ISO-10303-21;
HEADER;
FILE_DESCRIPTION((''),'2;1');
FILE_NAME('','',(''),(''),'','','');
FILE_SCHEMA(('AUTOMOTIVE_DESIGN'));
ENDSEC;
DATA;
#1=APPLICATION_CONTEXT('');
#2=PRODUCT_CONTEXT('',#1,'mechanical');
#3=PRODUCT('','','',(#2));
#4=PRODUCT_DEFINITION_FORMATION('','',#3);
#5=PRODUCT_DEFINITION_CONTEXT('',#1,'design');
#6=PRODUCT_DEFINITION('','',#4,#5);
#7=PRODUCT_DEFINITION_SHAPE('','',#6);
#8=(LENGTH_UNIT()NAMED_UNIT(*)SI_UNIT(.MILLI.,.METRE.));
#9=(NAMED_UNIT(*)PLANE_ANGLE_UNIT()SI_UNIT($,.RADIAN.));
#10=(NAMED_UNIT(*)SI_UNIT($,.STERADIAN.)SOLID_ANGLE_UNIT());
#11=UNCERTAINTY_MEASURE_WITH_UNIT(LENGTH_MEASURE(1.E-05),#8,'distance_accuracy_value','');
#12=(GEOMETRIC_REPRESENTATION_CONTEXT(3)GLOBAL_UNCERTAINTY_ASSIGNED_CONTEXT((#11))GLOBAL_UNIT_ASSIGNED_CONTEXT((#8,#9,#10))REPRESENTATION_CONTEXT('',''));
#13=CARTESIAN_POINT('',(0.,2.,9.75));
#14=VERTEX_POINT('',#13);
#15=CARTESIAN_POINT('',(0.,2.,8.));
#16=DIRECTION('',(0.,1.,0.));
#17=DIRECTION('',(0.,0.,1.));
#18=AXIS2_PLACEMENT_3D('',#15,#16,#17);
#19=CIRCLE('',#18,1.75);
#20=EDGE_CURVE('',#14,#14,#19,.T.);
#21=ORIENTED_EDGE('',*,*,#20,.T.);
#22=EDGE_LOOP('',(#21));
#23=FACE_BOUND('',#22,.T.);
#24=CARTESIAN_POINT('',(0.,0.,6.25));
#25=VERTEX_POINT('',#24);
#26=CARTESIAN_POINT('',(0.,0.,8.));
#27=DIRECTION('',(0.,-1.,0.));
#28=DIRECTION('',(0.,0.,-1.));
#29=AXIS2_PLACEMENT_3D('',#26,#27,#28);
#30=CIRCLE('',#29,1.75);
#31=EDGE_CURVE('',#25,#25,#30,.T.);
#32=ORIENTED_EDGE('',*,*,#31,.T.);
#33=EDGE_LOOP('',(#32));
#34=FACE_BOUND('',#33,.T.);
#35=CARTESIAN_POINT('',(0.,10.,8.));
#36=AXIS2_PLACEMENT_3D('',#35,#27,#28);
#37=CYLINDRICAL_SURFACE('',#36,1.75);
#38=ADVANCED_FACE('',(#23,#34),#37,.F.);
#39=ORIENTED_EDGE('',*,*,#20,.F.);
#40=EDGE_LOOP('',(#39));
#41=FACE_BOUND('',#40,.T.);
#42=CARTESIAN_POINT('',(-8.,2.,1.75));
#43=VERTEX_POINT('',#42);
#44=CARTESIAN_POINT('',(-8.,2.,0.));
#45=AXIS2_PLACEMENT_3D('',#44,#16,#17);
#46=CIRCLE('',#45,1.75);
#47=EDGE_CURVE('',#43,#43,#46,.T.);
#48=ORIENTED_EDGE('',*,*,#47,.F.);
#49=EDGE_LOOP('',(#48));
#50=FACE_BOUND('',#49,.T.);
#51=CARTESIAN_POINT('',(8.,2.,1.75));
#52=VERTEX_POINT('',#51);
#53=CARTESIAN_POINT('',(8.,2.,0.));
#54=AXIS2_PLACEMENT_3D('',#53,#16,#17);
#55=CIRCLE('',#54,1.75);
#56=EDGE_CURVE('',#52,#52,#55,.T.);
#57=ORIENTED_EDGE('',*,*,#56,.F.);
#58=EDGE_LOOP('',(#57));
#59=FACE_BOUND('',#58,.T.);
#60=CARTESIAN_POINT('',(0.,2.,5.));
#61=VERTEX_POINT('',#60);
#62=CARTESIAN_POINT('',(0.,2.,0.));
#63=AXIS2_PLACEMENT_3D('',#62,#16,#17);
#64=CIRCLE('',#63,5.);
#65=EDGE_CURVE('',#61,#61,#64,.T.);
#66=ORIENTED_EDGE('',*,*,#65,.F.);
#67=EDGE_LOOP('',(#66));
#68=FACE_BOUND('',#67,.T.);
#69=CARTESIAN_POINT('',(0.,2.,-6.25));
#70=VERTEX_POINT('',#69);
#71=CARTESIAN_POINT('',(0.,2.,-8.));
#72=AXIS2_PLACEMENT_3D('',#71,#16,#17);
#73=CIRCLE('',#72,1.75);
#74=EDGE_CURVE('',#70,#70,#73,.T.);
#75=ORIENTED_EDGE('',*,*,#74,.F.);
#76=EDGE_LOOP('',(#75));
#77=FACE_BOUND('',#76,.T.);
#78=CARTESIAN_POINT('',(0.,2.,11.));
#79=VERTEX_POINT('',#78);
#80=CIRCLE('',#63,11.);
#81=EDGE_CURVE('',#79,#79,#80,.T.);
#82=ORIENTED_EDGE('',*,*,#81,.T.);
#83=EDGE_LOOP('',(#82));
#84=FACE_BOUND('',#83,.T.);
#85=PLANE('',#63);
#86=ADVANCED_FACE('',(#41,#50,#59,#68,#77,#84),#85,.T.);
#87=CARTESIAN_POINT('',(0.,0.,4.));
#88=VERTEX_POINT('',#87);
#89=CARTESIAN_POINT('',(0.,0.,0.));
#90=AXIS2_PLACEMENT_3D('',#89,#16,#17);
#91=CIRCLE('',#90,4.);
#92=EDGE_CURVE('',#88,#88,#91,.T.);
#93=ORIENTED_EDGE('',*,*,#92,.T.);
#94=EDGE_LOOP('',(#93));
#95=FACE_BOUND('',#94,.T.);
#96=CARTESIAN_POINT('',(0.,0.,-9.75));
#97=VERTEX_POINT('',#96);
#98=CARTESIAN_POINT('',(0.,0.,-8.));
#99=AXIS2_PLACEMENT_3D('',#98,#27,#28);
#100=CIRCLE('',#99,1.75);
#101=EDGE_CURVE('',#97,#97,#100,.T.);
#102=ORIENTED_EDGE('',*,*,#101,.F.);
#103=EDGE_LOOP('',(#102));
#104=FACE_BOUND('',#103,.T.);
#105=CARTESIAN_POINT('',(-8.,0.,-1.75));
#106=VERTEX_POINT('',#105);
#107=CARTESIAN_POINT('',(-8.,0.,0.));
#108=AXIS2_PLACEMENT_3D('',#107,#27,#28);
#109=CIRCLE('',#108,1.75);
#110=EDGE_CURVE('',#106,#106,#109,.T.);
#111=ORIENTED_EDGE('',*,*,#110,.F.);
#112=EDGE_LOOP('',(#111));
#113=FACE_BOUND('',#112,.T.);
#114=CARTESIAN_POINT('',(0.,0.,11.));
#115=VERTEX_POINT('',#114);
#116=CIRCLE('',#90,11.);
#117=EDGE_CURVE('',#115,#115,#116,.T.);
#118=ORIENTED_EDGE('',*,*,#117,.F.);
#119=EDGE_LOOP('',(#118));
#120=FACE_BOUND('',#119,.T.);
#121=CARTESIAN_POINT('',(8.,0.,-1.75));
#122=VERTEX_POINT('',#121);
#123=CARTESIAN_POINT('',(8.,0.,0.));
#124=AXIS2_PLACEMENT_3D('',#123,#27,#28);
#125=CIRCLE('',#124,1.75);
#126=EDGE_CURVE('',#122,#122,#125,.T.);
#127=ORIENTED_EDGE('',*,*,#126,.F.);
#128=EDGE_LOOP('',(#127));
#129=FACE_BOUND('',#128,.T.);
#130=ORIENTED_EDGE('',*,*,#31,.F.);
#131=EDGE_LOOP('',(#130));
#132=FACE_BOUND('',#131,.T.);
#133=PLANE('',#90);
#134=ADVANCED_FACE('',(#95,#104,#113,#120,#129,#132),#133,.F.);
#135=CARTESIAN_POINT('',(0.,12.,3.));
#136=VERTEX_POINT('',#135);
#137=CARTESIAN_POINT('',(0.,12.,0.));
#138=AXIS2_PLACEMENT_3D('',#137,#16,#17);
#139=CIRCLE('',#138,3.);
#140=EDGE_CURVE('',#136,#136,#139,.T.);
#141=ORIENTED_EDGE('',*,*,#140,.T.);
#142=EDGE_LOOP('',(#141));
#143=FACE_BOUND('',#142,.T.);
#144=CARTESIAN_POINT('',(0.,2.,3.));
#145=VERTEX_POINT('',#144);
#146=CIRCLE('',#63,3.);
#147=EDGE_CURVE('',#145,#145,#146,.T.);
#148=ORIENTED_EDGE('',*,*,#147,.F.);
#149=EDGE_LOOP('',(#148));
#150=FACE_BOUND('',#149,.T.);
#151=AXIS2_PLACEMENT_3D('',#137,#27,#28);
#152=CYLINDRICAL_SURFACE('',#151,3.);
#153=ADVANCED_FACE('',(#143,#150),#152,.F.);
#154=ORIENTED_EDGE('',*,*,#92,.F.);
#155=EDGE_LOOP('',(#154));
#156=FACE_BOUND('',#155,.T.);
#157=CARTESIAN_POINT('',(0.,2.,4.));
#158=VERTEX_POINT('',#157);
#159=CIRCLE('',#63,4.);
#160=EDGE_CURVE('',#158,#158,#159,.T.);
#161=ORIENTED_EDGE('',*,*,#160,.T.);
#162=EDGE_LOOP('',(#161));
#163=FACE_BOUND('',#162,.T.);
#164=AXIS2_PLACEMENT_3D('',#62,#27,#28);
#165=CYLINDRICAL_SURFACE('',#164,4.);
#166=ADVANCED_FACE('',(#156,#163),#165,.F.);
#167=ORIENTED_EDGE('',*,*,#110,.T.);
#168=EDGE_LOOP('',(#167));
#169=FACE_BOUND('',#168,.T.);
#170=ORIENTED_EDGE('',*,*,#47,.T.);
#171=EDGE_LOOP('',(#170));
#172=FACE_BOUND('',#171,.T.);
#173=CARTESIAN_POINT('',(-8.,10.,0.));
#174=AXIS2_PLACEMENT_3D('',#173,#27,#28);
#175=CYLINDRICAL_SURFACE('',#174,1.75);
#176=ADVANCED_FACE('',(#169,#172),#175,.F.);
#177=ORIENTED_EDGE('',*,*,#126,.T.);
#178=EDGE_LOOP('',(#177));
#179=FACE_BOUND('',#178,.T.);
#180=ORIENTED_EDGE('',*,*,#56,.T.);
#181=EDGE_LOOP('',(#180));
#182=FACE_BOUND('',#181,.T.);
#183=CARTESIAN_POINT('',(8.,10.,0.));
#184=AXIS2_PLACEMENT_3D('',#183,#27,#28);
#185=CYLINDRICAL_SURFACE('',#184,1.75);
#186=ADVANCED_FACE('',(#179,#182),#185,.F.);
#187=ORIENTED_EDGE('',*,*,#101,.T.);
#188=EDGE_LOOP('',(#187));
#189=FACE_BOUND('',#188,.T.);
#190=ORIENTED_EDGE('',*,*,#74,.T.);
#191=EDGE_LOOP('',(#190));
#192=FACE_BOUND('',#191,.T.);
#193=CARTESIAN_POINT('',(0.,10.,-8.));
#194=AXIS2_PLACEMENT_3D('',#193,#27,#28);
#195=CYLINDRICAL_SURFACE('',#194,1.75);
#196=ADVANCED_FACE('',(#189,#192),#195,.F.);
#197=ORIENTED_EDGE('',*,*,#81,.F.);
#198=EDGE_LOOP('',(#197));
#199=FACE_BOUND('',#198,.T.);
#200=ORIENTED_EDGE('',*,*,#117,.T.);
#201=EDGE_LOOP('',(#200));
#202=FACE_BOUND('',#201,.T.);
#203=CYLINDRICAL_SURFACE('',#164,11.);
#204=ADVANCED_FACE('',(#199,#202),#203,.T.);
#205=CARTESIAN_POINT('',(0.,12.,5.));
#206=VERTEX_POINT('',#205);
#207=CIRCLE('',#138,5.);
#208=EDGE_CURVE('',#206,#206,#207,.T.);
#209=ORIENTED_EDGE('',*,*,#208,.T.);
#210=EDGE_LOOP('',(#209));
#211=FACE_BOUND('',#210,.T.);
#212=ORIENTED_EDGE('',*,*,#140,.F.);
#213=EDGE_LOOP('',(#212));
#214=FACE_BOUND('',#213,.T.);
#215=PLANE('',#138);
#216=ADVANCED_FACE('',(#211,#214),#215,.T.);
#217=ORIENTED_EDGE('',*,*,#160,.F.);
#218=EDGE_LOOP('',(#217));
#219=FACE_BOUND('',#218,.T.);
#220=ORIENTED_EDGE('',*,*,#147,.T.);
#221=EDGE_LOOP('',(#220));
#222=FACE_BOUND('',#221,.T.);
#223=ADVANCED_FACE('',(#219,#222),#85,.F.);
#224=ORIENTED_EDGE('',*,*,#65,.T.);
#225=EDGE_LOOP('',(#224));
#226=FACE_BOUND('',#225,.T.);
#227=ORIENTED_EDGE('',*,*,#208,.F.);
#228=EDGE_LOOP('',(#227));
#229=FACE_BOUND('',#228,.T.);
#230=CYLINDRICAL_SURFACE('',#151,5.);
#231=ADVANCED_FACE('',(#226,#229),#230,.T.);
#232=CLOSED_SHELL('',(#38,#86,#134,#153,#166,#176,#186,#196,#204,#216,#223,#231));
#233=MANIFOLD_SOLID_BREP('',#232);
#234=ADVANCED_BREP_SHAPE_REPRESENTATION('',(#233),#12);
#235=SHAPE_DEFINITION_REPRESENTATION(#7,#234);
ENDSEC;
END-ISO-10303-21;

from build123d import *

# Parameters (mm, degrees)
CROQUIS1_R              = 11
CROQUIS1_R_2            = 4
SALIENTE_EXTRUIR1_DEPTH = 2
CROQUIS2_R              = 5
CROQUIS2_R_2            = 3
SALIENTE_EXTRUIR2_DEPTH = 10
CROQUIS3_R              = 1.75
CORTAR_EXTRUIR1_DEPTH   = 10


with BuildPart() as part:
    # Croquis1 → Saliente-Extruir1 (new body)
    with BuildSketch(Plane(origin=(0, 0, 0), x_dir=(1, 0, 0), z_dir=(0, 1, 0))):
        with Locations(Location((0, 0, 0), (0, 0, 270))):
            Circle(CROQUIS1_R)
        with Locations(Location((0, 0, 0), (0, 0, 270))):
            Circle(CROQUIS1_R_2, mode=Mode.SUBTRACT)
    extrude(amount=SALIENTE_EXTRUIR1_DEPTH)

    # Croquis2 → Saliente-Extruir2 (add)
    with BuildSketch(Plane(origin=(0, 2, 0), x_dir=(1, 0, 0), z_dir=(0, 1, 0))):
        with Locations(Location((0, 0, 0), (0, 0, 270))):
            Circle(CROQUIS2_R)
        with Locations(Location((0, 0, 0), (0, 0, 270))):
            Circle(CROQUIS2_R_2, mode=Mode.SUBTRACT)
    extrude(amount=SALIENTE_EXTRUIR2_DEPTH)

    # Croquis3 → Cortar-Extruir1 (cut)
    with BuildSketch(Plane.XZ):
        with Locations(Location((0, 8, 0), (0, 0, 270))):
            Circle(CROQUIS3_R)
        with Locations(Location((8, 0, 0), (0, 0, 270))):
            Circle(CROQUIS3_R)
        with Locations(Location((-8, 0, 0), (0, 0, 270))):
            Circle(CROQUIS3_R)
        with Locations(Location((0, -8, 0), (0, 0, 270))):
            Circle(CROQUIS3_R)
    extrude(amount=-CORTAR_EXTRUIR1_DEPTH, mode=Mode.SUBTRACT)


solid = part.part
